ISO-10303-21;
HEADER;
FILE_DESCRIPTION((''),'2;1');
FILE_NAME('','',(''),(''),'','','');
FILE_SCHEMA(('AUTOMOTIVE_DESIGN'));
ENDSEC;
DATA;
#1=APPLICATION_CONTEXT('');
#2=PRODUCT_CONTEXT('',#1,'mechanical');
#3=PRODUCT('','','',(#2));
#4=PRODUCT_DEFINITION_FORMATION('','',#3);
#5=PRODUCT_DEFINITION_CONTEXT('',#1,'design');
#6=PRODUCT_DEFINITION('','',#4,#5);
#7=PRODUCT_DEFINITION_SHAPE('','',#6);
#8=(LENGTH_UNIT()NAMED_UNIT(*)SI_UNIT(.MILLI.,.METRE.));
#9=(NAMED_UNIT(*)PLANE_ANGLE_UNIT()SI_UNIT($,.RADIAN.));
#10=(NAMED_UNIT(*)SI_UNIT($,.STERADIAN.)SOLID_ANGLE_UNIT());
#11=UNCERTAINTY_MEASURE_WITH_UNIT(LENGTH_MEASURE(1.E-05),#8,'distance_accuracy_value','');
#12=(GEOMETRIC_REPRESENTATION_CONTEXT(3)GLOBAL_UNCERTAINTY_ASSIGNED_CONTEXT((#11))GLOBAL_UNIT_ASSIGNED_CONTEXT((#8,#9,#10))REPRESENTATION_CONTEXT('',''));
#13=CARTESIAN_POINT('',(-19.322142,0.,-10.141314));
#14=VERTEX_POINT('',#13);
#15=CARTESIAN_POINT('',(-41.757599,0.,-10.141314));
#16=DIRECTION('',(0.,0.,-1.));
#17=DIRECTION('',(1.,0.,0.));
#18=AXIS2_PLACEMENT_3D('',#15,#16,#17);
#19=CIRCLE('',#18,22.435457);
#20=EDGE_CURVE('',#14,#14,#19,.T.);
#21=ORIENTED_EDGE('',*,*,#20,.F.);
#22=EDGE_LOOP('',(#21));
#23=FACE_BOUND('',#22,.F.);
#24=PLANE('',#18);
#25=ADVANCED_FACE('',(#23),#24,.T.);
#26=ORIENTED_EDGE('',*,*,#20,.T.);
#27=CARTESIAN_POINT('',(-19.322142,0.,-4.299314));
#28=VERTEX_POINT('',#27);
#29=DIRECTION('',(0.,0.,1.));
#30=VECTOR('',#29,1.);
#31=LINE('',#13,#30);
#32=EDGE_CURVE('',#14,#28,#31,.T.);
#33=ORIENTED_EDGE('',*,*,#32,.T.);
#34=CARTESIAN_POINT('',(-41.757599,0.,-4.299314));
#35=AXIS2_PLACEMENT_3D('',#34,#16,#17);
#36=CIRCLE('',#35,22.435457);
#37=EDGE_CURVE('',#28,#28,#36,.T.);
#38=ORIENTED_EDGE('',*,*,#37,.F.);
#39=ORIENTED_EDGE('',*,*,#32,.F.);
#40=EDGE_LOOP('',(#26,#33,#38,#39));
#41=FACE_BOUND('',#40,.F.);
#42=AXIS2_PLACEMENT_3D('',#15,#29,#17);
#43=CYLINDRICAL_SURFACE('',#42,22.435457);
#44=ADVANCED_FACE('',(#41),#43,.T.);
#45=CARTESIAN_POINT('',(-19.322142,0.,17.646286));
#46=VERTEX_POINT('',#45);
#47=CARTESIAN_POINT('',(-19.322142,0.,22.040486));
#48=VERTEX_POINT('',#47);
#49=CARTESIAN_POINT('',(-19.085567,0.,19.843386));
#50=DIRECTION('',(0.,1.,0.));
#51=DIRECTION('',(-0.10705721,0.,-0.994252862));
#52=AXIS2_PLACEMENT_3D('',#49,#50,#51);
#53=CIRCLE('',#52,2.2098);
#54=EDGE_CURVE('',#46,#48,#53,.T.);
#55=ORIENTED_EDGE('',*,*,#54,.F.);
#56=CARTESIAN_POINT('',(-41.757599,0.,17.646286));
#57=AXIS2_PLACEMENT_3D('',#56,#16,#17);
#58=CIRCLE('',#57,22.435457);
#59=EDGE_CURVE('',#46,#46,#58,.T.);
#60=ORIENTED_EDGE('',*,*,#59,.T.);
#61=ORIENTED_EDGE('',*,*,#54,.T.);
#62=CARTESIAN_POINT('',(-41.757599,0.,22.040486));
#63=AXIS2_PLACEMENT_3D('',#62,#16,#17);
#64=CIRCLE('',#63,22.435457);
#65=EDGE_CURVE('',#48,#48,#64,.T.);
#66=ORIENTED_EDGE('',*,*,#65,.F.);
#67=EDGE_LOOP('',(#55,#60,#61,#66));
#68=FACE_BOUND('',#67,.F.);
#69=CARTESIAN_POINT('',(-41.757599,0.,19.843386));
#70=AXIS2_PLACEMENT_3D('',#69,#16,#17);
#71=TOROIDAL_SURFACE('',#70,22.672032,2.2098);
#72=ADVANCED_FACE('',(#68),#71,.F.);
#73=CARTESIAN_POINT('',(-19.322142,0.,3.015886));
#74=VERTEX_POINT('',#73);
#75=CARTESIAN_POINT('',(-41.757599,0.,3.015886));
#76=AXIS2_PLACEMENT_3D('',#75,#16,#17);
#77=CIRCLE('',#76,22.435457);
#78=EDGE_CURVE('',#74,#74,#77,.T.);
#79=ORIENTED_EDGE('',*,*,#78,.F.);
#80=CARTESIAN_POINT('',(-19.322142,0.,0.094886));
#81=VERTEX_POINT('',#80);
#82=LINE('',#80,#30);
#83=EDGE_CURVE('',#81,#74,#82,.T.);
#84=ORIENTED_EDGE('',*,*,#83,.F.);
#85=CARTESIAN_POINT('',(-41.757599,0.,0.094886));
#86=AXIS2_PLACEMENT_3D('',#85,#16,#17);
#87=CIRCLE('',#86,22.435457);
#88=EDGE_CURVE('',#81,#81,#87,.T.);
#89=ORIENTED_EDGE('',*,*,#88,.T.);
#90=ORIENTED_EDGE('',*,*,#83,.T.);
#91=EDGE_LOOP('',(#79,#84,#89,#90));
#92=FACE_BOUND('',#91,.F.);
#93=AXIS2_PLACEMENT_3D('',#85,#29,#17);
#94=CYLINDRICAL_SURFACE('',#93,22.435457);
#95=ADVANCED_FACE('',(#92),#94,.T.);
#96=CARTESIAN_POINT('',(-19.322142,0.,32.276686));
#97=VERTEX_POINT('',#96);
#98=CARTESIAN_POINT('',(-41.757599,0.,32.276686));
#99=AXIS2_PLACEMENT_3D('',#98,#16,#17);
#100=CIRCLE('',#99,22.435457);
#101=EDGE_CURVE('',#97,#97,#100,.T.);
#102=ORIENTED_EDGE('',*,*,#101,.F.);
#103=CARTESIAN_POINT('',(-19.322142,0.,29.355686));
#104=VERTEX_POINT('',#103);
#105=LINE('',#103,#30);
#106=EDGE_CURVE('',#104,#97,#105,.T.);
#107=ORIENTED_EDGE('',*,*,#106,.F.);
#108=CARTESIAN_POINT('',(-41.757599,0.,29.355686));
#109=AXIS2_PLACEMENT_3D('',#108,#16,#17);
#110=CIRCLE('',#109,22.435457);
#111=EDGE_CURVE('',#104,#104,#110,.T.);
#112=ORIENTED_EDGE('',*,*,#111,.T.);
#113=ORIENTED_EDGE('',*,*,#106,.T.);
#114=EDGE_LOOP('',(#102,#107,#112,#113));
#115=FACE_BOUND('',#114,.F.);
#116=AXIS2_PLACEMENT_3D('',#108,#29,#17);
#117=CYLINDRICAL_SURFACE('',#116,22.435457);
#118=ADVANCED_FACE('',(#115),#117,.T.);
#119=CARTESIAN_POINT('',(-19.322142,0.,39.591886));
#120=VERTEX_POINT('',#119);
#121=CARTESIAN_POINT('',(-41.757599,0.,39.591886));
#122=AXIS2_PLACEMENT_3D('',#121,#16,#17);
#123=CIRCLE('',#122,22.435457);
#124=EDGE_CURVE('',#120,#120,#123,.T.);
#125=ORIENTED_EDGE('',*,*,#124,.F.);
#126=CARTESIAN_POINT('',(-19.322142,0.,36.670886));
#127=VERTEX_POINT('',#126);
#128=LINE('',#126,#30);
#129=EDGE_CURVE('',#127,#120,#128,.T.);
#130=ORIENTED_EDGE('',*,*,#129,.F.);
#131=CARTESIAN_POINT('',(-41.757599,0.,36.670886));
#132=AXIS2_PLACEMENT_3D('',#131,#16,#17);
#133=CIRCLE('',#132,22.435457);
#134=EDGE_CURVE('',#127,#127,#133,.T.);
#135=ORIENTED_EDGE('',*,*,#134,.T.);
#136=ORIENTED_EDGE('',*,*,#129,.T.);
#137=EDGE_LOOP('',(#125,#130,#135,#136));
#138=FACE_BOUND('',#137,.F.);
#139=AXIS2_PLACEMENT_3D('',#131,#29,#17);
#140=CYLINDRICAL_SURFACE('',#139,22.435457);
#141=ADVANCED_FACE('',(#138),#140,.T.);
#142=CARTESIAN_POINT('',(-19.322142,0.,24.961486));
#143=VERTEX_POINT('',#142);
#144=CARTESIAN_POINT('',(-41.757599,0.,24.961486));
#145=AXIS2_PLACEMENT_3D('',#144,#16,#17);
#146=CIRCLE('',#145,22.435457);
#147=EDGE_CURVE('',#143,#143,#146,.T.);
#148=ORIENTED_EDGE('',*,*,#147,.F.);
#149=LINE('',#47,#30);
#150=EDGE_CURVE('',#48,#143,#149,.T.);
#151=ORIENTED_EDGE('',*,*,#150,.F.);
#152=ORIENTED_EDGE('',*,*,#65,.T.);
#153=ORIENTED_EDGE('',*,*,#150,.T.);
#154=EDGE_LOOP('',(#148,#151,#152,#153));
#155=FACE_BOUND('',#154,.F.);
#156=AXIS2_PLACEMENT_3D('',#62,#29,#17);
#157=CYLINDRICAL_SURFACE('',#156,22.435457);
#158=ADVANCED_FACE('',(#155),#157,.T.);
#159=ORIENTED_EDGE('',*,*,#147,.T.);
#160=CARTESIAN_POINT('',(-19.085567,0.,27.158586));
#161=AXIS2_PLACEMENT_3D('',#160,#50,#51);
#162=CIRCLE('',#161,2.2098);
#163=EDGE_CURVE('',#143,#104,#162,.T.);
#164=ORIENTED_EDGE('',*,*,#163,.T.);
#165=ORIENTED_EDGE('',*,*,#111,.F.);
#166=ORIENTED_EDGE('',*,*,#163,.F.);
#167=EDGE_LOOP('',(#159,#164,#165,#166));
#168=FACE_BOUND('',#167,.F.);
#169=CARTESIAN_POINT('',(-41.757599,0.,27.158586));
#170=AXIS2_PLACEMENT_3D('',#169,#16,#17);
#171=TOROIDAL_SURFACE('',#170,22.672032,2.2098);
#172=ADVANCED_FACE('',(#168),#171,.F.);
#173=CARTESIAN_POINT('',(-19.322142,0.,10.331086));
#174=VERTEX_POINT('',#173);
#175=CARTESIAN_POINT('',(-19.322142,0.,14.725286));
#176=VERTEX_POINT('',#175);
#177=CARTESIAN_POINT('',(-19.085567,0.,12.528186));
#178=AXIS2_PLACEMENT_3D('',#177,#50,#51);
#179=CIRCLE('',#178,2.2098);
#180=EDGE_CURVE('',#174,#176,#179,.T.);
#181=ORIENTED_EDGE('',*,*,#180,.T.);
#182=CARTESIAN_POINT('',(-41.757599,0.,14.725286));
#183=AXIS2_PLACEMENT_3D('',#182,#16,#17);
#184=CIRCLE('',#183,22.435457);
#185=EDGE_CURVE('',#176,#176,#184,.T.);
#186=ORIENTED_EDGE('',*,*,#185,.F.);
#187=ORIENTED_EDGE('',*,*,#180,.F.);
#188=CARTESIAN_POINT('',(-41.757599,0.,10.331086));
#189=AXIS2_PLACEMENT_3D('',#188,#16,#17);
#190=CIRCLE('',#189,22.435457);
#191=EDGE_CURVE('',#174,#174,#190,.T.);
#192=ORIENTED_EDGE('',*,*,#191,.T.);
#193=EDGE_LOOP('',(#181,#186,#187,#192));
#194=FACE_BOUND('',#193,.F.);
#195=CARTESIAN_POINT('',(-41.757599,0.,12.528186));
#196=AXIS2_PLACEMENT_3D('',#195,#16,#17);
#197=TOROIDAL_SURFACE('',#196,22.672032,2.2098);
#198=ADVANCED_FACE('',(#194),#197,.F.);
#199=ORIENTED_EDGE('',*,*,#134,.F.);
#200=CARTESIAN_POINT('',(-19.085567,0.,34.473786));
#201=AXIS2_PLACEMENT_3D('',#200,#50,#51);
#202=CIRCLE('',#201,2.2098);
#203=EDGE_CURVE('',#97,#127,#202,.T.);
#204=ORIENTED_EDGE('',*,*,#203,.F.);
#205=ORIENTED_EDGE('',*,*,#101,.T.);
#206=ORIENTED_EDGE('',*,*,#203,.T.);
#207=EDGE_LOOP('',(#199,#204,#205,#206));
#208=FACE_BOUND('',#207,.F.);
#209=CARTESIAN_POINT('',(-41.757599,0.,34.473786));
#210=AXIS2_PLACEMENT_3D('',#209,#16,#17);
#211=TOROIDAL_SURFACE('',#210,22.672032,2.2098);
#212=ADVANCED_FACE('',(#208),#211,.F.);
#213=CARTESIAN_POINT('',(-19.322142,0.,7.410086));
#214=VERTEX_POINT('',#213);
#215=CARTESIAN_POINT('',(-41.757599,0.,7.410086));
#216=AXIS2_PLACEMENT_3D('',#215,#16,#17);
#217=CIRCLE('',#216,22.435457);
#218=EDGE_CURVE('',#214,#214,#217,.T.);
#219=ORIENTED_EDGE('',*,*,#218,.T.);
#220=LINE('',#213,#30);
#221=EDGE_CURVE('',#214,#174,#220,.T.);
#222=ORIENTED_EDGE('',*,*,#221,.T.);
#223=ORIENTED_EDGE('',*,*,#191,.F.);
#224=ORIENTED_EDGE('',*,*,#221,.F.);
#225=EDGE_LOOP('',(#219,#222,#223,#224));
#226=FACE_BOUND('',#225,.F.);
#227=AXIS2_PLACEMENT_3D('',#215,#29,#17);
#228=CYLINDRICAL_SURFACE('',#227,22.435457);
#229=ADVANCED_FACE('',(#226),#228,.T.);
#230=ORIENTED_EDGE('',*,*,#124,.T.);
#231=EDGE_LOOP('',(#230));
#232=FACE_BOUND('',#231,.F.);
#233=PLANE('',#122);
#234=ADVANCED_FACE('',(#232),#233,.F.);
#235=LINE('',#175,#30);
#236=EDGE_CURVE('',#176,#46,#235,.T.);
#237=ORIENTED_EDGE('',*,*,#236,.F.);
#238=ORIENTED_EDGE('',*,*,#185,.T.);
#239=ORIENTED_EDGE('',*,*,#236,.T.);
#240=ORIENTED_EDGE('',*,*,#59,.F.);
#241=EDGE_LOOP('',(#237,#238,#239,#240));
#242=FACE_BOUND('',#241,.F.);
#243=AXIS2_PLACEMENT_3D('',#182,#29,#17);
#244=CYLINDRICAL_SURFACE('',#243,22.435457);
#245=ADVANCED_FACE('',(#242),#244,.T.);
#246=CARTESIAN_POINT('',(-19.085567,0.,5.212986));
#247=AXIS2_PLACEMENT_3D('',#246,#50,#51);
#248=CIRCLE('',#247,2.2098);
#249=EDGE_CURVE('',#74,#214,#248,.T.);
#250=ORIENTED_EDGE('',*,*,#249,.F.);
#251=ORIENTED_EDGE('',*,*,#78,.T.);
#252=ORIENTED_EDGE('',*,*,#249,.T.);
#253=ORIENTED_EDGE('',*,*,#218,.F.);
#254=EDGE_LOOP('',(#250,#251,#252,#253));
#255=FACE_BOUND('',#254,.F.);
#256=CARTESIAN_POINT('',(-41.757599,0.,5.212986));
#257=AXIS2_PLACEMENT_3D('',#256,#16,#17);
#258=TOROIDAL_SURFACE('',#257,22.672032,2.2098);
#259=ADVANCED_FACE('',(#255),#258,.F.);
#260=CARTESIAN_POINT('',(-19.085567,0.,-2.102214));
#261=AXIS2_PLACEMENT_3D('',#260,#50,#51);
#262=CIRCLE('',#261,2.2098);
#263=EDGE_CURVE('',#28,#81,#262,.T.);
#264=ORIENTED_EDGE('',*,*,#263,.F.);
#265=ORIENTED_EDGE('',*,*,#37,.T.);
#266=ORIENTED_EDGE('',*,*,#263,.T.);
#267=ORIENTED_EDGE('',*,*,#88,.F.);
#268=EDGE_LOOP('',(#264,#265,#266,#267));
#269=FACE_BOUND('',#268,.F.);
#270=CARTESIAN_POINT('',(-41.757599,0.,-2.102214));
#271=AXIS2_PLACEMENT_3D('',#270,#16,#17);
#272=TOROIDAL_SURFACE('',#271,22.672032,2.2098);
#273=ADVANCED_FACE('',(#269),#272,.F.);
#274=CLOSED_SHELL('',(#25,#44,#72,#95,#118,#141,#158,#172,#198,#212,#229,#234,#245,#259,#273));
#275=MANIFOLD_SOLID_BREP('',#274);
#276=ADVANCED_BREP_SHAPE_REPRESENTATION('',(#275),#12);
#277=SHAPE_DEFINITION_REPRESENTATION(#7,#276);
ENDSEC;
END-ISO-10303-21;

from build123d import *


with BuildPart() as f1:
    # F0 (on Front) → F1 (revolve)
    with BuildSketch(Plane.XZ):
        with BuildLine():
            Line((-19.322142, 39.591886), (-41.757599, 39.591886))
            Line((-41.757599, 39.591886), (-41.757599, -10.141314))
            Line((-41.757599, -10.141314), (-19.322142, -10.141314))
            Line((-19.322142, -10.141314), (-19.322142, -4.299314))
            ThreePointArc((-19.322142, -4.299314), (-21.295367, -2.102214), (-19.322142, 0.094886))
            Line((-19.322142, 0.094886), (-19.322142, 3.015886))
            ThreePointArc((-19.322142, 3.015886), (-21.295367, 5.212986), (-19.322142, 7.410086))
            Line((-19.322142, 7.410086), (-19.322142, 10.331086))
            ThreePointArc((-19.322142, 10.331086), (-21.295367, 12.528186), (-19.322142, 14.725286))
            Line((-19.322142, 14.725286), (-19.322142, 17.646286))
            ThreePointArc((-19.322142, 17.646286), (-21.295367, 19.843386), (-19.322142, 22.040486))
            Line((-19.322142, 22.040486), (-19.322142, 24.961486))
            ThreePointArc((-19.322142, 24.961486), (-21.295367, 27.158586), (-19.322142, 29.355686))
            Line((-19.322142, 29.355686), (-19.322142, 32.276686))
            ThreePointArc((-19.322142, 32.276686), (-21.295367, 34.473786), (-19.322142, 36.670886))
            Line((-19.322142, 36.670886), (-19.322142, 39.591886))
        make_face()
    revolve(axis=Axis((-41.757599, 0, 14.725286), (0, 0, -1)))


solid = f1.part
